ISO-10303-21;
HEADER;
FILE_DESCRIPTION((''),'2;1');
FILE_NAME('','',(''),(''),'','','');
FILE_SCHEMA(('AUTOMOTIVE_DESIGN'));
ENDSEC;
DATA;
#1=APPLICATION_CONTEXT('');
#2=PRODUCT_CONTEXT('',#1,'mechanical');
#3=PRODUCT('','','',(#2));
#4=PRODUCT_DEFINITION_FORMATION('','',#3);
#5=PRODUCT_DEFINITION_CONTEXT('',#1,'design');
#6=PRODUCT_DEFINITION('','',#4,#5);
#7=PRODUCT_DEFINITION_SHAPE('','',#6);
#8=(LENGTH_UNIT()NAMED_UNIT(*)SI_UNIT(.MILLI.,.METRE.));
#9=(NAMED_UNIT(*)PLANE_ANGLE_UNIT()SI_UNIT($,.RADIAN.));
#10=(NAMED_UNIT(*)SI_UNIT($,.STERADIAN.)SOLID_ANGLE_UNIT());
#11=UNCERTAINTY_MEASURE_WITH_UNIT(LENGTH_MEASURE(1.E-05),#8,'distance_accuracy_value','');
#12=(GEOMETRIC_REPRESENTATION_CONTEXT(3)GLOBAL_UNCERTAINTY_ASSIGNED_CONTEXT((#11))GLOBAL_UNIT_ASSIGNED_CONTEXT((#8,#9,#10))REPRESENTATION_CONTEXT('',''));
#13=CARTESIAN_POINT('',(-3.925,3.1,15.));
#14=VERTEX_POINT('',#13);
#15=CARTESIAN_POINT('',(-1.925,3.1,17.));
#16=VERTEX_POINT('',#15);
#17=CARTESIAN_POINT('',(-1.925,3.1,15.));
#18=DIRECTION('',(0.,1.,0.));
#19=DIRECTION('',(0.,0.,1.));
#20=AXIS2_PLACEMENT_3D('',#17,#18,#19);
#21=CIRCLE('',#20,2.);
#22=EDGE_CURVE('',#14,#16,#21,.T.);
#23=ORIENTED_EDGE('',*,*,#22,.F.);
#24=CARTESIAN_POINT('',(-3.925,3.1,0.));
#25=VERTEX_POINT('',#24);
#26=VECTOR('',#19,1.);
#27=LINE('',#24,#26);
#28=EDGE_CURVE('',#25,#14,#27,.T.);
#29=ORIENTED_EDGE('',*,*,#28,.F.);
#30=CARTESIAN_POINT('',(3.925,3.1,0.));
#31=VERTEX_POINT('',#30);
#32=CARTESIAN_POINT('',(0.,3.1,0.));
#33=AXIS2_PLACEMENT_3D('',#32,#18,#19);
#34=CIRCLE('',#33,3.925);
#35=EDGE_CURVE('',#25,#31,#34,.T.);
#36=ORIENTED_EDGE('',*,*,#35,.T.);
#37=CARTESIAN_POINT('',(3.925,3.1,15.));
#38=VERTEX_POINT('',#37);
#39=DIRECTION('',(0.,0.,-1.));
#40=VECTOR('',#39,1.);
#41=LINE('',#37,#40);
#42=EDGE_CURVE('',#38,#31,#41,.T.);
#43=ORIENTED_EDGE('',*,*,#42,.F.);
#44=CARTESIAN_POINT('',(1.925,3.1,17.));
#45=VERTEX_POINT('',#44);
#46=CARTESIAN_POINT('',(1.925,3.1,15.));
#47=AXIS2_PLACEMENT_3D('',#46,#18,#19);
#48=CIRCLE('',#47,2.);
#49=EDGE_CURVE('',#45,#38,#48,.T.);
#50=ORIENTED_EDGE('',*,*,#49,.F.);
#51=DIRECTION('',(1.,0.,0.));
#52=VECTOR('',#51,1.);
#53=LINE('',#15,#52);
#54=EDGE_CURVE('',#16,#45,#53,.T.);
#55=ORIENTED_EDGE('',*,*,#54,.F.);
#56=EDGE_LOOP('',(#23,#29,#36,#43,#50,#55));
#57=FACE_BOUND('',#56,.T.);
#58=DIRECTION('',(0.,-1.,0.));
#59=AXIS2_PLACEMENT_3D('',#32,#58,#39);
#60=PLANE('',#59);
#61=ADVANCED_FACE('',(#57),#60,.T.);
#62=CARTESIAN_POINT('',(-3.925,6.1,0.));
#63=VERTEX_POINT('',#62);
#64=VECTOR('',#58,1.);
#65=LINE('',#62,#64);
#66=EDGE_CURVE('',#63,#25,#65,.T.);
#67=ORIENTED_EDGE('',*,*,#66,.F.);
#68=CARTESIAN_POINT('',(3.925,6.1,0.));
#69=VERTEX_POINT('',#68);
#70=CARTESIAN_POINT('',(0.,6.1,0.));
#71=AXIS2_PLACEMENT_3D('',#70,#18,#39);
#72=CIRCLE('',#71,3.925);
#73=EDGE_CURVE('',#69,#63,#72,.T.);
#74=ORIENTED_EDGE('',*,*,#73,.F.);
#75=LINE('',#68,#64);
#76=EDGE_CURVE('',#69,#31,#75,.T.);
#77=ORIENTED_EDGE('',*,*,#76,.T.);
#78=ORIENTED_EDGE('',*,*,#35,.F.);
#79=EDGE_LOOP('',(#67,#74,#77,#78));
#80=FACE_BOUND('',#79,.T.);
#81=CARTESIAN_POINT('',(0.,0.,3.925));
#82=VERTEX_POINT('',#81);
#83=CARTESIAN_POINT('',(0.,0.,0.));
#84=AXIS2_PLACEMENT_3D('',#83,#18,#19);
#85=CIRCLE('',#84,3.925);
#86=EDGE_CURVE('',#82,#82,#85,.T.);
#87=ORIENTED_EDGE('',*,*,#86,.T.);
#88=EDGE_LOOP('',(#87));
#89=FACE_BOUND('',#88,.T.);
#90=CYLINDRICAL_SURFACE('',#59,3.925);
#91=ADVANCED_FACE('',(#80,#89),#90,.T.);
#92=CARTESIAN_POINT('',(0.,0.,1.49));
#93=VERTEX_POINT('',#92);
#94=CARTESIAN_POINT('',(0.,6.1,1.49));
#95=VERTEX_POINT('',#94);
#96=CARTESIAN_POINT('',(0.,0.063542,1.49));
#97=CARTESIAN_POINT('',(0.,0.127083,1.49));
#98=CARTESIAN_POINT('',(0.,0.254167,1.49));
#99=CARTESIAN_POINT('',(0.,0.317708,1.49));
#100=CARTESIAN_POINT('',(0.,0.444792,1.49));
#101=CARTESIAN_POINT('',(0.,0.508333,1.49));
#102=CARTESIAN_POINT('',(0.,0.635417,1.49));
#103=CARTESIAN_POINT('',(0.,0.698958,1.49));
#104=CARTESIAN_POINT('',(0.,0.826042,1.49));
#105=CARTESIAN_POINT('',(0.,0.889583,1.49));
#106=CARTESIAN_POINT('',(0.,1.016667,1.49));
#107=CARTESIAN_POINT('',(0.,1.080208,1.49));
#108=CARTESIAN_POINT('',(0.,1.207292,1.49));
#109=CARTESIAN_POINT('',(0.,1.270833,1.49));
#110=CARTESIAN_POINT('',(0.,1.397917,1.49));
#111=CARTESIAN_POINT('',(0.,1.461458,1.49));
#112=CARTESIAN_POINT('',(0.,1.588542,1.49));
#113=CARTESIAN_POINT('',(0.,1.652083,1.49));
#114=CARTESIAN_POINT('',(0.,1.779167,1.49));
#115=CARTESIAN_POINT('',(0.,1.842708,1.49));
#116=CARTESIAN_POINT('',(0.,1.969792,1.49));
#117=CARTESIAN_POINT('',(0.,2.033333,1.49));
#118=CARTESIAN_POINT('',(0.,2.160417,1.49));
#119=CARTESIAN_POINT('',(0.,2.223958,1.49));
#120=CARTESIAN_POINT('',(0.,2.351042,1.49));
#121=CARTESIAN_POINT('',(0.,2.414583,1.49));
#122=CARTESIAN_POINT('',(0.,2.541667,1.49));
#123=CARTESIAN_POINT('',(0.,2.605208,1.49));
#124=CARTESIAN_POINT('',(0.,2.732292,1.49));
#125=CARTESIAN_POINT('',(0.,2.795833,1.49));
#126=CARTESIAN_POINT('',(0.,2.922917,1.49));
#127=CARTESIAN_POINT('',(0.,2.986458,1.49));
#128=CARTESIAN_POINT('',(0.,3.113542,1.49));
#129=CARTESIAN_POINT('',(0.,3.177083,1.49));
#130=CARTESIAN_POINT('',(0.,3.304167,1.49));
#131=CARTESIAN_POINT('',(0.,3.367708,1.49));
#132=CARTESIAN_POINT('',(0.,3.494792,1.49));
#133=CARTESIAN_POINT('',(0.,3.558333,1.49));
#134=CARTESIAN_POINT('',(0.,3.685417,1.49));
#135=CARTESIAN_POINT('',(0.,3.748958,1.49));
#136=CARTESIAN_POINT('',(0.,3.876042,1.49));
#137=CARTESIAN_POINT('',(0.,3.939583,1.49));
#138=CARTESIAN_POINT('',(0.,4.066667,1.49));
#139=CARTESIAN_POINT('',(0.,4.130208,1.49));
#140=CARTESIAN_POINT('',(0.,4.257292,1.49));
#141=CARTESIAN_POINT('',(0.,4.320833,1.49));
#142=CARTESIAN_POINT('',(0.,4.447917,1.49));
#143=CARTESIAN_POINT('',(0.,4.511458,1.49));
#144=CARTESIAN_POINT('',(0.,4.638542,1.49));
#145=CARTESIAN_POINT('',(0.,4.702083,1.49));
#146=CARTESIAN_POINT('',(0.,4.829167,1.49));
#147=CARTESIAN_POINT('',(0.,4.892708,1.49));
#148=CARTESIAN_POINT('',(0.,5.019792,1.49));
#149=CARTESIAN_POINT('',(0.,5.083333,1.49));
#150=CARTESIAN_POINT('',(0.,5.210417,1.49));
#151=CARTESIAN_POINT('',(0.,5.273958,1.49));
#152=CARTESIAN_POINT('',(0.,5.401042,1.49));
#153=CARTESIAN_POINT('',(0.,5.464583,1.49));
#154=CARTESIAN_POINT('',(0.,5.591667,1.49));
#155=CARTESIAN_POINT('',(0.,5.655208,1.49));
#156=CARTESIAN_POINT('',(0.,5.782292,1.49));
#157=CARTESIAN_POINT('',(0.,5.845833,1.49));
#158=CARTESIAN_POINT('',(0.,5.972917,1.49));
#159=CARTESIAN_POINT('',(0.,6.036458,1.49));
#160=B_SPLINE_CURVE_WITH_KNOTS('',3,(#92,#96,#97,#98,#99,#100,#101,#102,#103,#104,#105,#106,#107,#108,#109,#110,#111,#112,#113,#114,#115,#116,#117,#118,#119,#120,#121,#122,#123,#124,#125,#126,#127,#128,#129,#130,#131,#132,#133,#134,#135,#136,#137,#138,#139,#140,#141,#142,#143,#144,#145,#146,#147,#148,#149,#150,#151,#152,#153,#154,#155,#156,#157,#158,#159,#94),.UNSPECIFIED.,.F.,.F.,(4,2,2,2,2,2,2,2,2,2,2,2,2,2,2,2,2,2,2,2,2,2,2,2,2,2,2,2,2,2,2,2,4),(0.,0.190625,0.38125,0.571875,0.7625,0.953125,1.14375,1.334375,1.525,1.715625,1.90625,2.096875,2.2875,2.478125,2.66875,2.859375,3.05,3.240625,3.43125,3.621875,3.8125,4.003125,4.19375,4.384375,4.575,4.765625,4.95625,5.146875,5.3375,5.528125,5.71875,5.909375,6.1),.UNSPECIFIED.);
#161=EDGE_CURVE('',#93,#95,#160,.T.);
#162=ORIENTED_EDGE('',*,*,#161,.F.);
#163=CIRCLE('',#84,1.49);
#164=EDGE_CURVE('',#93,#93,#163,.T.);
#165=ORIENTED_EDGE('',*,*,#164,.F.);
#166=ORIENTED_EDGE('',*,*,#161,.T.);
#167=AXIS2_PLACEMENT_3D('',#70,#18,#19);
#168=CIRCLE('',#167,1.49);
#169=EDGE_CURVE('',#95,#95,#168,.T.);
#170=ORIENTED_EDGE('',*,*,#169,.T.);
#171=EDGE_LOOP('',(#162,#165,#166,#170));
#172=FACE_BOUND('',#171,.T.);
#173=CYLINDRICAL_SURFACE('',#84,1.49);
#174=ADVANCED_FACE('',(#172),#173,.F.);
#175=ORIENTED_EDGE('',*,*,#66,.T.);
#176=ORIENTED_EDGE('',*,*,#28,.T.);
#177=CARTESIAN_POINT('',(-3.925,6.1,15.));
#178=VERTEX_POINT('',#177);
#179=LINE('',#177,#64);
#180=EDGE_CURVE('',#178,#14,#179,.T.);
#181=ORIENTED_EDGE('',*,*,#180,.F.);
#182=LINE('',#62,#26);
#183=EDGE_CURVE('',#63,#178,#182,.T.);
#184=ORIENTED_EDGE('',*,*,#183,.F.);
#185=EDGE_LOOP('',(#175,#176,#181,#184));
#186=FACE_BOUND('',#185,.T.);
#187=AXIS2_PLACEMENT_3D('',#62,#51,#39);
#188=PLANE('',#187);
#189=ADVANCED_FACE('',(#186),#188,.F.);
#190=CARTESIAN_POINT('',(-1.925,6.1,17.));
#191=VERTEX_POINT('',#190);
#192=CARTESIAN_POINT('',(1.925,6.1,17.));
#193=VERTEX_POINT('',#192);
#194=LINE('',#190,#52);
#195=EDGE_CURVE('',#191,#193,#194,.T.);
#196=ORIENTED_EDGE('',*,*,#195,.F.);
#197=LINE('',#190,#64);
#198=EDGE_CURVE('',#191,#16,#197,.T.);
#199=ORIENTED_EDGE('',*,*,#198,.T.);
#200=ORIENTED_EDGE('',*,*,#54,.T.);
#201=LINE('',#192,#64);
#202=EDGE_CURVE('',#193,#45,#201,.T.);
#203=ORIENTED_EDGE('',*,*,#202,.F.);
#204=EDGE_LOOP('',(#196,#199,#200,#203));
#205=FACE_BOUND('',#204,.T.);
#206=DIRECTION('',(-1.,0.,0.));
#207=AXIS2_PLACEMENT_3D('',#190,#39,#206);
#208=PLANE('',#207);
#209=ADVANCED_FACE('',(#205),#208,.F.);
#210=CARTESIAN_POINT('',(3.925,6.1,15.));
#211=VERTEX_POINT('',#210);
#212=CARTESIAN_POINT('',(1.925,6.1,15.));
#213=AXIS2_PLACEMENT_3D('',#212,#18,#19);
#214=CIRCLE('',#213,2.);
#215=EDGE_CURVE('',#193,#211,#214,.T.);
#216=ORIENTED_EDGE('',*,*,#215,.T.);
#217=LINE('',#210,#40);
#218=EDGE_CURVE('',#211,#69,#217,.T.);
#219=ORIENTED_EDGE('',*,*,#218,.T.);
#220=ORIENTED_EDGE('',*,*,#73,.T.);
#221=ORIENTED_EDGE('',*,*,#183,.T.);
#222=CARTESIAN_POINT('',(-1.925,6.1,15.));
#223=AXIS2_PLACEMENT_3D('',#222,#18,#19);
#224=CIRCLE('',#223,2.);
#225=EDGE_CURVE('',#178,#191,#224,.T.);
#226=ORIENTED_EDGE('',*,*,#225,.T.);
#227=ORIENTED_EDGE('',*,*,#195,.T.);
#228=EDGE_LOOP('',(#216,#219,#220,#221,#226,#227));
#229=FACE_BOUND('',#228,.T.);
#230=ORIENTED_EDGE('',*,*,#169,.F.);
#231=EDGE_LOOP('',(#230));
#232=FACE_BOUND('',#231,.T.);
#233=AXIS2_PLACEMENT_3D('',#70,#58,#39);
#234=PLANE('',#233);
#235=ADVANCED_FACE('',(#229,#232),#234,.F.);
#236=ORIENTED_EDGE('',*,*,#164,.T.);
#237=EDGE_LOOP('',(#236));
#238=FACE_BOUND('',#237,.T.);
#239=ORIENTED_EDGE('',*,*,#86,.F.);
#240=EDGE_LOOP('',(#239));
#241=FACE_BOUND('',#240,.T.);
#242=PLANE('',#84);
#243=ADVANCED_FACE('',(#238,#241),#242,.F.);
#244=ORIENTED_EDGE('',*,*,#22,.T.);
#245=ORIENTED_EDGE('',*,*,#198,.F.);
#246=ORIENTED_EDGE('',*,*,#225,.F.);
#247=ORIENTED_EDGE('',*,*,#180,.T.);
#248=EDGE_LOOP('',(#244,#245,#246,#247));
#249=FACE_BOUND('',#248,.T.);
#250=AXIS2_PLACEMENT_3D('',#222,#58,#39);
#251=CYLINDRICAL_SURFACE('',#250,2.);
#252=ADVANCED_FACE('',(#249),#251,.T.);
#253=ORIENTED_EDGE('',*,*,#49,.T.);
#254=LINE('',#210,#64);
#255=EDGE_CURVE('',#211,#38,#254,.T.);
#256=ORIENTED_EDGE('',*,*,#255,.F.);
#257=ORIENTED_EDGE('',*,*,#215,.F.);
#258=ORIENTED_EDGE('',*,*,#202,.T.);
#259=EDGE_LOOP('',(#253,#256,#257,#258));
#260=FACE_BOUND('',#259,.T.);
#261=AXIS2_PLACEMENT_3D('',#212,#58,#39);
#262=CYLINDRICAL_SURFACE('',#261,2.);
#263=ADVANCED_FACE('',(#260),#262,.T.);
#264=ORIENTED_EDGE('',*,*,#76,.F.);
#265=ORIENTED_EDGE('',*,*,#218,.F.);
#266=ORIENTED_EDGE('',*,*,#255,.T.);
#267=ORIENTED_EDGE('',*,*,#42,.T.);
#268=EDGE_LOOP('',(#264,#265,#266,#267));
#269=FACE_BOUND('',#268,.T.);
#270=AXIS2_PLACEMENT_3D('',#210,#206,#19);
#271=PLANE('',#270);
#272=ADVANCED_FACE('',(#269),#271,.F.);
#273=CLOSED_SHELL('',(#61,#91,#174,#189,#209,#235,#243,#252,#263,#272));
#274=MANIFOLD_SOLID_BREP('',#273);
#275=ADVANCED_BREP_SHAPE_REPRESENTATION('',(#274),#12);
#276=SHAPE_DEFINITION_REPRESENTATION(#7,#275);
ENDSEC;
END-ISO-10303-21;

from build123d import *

# Parameters (mm, degrees)
SKETCH1_R           = 3.925
BOSS_EXTRUDE1_DEPTH = 3.1
SKETCH2_R           = 1.49
CUT_EXTRUDE1_DEPTH  = 3.1
SKETCH3_R           = 1.49
BOSS_EXTRUDE2_DEPTH = 3


with BuildPart() as part:
    # Sketch1 → Boss-Extrude1 (new body)
    with BuildSketch(Plane(origin=(0, 0, 0), x_dir=(1, 0, 0), z_dir=(0, 1, 0))):
        with Locations(Location((0, 0, 0), (0, 0, 90))):
            Circle(SKETCH1_R)
    extrude(amount=BOSS_EXTRUDE1_DEPTH)

    # Sketch2 → Cut-Extrude1 (cut)
    with BuildSketch(Plane(origin=(0, 3.1, 0), x_dir=(1, 0, 0), z_dir=(0, 1, 0))):
        with Locations(Location((0, 0, 0), (0, 0, 270))):
            Circle(SKETCH2_R)
    extrude(amount=-CUT_EXTRUDE1_DEPTH, mode=Mode.SUBTRACT)

    # Sketch3 → Boss-Extrude2 (add)
    with BuildSketch(Plane(origin=(0, 3.1, 0), x_dir=(1, 0, 0), z_dir=(0, 1, 0))):
        with BuildLine():
            Line((-3.925, 0), (-3.925, -15))
            ThreePointArc((-3.925, -15), (-3.339213562, -16.414213562), (-1.925, -17))
            Line((-1.925, -17), (1.925, -17))
            ThreePointArc((1.925, -17), (3.339213562, -16.414213562), (3.925, -15))
            Line((3.925, -15), (3.925, 0))
            ThreePointArc((3.925, 0), (0, 3.925), (-3.925, 0))
        make_face()
        with Locations(Location((0, 0, 0), (0, 0, 270))):
            Circle(SKETCH3_R, mode=Mode.SUBTRACT)
    extrude(amount=BOSS_EXTRUDE2_DEPTH)


solid = part.part
